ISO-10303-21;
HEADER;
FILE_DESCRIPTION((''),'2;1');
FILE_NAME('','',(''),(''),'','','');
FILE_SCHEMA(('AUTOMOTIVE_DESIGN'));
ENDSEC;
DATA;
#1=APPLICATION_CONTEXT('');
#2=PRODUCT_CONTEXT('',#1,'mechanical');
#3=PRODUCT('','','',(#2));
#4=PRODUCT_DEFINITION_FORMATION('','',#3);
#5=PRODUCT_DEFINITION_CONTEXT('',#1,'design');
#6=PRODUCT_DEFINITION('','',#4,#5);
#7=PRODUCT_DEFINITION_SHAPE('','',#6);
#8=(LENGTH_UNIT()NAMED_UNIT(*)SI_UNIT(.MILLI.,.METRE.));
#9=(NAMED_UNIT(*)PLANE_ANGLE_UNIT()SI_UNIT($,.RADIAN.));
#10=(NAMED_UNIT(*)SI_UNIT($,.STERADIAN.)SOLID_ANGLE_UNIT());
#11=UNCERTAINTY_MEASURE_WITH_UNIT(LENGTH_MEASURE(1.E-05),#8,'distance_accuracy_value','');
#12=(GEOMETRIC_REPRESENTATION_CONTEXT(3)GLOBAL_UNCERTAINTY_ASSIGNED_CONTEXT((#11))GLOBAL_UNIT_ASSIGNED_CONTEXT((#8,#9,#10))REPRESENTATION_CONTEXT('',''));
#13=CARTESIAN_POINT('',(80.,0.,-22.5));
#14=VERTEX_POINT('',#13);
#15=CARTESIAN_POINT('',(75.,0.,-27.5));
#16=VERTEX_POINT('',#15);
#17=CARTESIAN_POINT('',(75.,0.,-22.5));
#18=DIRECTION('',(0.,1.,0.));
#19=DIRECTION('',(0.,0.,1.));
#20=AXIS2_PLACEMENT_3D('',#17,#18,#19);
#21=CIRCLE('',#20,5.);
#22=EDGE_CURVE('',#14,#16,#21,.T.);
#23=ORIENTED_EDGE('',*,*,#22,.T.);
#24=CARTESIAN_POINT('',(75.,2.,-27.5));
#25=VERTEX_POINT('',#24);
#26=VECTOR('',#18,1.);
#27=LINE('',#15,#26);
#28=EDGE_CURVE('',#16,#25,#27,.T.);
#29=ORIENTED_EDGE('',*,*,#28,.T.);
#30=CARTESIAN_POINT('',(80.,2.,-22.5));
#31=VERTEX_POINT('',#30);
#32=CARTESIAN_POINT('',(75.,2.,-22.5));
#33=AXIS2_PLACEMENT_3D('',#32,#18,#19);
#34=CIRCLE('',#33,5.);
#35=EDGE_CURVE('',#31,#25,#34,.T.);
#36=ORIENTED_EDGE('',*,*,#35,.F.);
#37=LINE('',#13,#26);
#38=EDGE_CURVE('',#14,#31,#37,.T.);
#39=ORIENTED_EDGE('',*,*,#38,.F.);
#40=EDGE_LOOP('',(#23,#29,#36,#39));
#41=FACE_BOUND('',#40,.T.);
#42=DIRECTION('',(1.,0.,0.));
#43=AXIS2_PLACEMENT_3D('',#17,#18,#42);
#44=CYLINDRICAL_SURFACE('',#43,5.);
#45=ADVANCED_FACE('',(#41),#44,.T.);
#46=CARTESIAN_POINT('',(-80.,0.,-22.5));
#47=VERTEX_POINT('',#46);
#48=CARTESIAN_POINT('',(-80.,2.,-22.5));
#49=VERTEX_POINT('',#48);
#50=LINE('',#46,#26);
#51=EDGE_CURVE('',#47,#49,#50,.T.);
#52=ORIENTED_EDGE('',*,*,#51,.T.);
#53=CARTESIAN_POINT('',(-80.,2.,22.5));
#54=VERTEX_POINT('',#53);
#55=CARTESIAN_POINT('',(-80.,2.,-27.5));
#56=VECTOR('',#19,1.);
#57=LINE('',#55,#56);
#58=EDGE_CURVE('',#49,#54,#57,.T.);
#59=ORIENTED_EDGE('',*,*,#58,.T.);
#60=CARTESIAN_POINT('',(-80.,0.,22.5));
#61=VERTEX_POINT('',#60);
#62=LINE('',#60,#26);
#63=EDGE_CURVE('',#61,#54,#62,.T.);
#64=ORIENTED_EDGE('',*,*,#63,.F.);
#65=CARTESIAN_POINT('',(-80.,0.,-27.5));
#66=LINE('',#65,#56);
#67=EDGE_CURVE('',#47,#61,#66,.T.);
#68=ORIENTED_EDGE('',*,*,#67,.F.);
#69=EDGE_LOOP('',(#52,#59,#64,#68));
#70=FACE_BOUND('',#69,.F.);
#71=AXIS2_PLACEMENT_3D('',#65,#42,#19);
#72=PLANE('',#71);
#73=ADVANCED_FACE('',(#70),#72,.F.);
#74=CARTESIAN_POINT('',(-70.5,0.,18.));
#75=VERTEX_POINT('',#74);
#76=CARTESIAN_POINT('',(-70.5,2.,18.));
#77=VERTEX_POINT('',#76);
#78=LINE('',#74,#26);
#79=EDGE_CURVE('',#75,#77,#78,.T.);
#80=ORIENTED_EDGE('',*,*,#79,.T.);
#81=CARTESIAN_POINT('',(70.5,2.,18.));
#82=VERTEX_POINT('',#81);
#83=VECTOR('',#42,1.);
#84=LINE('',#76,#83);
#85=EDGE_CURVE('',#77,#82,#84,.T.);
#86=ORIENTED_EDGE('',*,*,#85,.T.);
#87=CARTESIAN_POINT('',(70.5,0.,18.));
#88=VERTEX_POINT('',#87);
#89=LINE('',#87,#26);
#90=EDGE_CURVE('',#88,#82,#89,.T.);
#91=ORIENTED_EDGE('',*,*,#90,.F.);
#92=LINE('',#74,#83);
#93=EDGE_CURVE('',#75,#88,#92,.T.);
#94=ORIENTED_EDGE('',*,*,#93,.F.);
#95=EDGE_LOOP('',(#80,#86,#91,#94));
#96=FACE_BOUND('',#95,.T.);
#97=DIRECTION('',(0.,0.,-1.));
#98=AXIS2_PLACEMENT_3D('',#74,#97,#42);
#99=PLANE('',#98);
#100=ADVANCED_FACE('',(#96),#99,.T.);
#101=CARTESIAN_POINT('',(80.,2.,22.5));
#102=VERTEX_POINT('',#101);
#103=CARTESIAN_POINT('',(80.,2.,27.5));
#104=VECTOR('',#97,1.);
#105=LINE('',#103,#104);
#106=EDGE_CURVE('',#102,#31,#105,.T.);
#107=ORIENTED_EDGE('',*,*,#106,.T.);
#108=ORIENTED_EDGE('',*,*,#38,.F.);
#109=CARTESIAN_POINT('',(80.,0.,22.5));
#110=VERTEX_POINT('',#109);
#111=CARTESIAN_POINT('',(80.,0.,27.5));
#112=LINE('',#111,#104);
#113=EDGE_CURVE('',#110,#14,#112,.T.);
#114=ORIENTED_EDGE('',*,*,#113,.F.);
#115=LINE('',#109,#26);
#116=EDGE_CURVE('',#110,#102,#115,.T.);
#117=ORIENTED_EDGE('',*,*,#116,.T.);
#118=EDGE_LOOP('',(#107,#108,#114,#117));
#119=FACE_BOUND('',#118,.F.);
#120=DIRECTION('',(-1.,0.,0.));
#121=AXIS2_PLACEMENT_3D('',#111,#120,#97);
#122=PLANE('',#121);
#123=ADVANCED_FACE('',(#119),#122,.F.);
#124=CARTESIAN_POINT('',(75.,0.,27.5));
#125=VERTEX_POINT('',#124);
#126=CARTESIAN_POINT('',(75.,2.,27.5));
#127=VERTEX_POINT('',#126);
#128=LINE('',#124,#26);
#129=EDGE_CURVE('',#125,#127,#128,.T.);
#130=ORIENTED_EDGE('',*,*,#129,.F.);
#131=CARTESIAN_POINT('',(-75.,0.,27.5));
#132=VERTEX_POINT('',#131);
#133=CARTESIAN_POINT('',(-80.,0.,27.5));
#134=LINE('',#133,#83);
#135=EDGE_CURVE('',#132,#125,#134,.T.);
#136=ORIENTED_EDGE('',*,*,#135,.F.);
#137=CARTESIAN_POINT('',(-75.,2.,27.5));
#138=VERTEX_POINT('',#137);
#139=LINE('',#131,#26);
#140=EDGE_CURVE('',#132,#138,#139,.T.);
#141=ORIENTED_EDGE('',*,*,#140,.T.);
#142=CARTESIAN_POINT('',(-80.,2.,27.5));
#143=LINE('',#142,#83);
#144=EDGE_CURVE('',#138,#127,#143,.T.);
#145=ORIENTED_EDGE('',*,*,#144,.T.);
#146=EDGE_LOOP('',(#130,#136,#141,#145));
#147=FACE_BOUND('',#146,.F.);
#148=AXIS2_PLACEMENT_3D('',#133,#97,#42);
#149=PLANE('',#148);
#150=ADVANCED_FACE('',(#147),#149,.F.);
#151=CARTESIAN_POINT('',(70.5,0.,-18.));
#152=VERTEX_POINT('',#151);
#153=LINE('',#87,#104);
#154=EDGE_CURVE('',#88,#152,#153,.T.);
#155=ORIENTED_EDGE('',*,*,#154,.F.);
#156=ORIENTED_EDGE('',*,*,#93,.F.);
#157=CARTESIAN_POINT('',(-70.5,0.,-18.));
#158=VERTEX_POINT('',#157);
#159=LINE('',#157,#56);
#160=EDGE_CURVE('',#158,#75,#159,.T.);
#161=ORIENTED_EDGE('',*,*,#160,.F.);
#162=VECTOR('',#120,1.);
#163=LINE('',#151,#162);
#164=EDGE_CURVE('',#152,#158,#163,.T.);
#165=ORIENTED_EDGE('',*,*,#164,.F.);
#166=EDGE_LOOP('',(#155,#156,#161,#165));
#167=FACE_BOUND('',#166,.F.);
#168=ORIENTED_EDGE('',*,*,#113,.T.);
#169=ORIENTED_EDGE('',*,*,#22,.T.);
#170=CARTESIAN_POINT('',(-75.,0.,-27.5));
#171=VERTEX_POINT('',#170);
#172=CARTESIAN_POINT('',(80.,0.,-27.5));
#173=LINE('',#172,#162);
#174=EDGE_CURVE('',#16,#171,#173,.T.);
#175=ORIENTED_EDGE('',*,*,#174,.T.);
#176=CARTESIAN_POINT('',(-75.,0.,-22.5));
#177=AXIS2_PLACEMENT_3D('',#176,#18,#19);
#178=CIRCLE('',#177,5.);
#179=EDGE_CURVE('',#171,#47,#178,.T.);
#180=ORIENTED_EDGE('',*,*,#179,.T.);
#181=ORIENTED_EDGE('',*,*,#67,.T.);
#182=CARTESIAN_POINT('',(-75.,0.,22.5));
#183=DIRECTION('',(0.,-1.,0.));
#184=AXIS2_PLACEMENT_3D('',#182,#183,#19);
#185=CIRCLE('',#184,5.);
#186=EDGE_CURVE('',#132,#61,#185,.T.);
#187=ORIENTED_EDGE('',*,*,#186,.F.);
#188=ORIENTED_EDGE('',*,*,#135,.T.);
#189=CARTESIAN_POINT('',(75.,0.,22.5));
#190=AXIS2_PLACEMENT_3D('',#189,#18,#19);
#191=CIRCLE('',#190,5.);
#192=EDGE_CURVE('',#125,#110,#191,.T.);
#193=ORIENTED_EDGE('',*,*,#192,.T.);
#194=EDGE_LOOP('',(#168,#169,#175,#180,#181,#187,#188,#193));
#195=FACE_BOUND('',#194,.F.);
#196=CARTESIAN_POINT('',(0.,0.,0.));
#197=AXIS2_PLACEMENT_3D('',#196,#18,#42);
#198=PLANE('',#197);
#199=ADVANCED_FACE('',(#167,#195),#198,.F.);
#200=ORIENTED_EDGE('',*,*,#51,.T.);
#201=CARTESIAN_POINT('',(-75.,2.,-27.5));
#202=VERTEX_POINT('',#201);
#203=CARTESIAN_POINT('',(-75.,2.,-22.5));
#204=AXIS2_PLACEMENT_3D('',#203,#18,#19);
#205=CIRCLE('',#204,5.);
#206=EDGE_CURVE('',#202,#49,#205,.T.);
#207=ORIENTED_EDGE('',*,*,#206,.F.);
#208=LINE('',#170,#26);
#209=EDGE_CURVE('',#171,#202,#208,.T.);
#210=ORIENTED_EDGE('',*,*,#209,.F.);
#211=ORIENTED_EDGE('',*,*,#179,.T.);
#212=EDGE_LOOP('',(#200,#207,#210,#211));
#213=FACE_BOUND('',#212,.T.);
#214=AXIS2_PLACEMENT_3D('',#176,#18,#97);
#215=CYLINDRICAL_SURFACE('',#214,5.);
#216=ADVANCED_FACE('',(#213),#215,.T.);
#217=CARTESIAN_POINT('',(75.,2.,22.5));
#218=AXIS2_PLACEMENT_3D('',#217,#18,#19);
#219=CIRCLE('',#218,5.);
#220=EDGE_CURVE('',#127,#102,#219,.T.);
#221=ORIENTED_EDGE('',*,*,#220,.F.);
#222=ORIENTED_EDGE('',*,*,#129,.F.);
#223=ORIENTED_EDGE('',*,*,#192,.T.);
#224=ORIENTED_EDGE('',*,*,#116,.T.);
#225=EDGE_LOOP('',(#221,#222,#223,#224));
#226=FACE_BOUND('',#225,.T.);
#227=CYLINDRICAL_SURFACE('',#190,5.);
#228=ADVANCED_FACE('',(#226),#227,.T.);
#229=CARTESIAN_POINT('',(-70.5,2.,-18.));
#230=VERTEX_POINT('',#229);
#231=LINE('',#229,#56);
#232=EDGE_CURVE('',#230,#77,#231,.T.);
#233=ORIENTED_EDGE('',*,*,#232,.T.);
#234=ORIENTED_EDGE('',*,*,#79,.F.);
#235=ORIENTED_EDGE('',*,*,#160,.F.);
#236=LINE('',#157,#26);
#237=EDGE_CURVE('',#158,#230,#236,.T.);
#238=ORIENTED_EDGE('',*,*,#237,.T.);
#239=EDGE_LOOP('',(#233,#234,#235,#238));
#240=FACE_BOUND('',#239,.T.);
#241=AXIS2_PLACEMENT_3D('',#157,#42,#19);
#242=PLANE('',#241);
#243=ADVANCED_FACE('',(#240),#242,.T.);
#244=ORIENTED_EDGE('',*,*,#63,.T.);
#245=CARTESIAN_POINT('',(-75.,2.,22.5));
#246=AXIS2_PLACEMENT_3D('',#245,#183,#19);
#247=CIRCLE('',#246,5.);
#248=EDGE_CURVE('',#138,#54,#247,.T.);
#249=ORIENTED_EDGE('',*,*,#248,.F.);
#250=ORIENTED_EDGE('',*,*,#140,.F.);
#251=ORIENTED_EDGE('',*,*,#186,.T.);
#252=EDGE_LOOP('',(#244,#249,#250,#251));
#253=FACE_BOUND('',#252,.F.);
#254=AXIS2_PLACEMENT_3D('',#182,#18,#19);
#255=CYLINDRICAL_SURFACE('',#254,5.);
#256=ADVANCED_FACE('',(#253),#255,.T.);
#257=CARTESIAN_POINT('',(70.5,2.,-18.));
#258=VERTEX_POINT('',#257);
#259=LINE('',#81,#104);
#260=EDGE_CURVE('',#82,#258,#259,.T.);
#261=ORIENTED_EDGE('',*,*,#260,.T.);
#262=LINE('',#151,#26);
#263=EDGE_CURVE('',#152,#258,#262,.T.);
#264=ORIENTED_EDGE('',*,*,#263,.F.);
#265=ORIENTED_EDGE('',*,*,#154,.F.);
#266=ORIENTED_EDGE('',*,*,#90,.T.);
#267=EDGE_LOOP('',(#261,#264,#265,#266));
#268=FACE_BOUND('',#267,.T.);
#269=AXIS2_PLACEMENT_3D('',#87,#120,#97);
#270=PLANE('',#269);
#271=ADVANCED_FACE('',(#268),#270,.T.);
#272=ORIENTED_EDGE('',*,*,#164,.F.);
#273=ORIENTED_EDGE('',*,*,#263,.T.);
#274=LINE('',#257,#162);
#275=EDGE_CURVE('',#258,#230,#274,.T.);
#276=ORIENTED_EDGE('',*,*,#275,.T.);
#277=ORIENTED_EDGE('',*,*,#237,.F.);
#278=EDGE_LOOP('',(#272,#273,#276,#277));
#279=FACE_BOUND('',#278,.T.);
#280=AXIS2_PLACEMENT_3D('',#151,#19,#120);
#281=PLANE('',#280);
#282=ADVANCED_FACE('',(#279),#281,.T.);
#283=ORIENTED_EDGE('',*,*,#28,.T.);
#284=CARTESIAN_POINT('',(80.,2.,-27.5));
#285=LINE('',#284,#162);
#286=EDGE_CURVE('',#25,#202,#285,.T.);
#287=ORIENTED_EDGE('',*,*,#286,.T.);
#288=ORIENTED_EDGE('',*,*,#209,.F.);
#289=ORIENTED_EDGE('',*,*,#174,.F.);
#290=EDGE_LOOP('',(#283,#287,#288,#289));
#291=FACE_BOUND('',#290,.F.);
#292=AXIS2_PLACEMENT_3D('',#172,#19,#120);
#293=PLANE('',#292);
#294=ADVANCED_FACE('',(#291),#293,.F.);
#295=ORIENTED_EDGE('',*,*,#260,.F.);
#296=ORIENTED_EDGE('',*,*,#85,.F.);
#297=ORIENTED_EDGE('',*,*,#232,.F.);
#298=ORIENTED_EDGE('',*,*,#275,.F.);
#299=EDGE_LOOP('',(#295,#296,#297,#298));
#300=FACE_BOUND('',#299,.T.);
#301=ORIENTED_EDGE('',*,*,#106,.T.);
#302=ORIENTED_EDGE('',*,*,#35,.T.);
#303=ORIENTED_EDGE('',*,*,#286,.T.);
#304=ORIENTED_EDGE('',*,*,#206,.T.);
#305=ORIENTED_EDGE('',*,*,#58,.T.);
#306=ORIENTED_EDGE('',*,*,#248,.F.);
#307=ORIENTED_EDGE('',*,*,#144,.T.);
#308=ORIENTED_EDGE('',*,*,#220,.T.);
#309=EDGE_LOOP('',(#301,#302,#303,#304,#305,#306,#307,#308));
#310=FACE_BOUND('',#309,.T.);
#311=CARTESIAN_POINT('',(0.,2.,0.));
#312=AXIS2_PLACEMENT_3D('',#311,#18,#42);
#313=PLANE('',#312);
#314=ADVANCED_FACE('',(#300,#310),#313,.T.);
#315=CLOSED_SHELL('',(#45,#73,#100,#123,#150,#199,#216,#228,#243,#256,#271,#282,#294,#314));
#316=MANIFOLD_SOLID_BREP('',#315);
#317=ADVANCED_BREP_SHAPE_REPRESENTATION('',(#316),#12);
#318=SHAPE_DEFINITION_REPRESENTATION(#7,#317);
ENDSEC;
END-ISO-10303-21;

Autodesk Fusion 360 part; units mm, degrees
sketch "Sketch1" plane through (0, 0, 0) normal (0, 1, 0) x (1, 0, 0)
  line L0 (70.5, 18) -> (-70.5, 18)
  line L1 (-70.5, 18) -> (-70.5, -18)
  line L2 (-70.5, -18) -> (70.5, -18)
  line L3 (70.5, -18) -> (70.5, 18)
  line L4 (70.5, 18) -> (-70.5, -18) construction
  line L5 (-70.5, 18) -> (70.5, -18) construction
  line L6 (80, 27.5) -> (-80, 27.5)
  line L7 (-80, 27.5) -> (-80, -27.5)
  line L8 (-80, -27.5) -> (80, -27.5)
  line L9 (80, -27.5) -> (80, 27.5)
  line L10 (80, 27.5) -> (-80, -27.5) construction
  line L11 (-80, 27.5) -> (80, -27.5) construction
  dimension "d1" = 141
  dimension "d2" = 36
  dimension "d3" = 160
  dimension "d4" = 55
extrude "Extrude1" add sketch "Sketch1" along normal blind 2
fillet "Fillet1" radius 5 1 edges at (-80, 1, 27.5)
fillet "Fillet2" radius 5 1 edges at (80, 1, 27.5)
fillet "Fillet3" radius 5 1 edges at (80, 1, -27.5)
fillet "Fillet4" radius 5 1 edges at (-80, 1, -27.5)
